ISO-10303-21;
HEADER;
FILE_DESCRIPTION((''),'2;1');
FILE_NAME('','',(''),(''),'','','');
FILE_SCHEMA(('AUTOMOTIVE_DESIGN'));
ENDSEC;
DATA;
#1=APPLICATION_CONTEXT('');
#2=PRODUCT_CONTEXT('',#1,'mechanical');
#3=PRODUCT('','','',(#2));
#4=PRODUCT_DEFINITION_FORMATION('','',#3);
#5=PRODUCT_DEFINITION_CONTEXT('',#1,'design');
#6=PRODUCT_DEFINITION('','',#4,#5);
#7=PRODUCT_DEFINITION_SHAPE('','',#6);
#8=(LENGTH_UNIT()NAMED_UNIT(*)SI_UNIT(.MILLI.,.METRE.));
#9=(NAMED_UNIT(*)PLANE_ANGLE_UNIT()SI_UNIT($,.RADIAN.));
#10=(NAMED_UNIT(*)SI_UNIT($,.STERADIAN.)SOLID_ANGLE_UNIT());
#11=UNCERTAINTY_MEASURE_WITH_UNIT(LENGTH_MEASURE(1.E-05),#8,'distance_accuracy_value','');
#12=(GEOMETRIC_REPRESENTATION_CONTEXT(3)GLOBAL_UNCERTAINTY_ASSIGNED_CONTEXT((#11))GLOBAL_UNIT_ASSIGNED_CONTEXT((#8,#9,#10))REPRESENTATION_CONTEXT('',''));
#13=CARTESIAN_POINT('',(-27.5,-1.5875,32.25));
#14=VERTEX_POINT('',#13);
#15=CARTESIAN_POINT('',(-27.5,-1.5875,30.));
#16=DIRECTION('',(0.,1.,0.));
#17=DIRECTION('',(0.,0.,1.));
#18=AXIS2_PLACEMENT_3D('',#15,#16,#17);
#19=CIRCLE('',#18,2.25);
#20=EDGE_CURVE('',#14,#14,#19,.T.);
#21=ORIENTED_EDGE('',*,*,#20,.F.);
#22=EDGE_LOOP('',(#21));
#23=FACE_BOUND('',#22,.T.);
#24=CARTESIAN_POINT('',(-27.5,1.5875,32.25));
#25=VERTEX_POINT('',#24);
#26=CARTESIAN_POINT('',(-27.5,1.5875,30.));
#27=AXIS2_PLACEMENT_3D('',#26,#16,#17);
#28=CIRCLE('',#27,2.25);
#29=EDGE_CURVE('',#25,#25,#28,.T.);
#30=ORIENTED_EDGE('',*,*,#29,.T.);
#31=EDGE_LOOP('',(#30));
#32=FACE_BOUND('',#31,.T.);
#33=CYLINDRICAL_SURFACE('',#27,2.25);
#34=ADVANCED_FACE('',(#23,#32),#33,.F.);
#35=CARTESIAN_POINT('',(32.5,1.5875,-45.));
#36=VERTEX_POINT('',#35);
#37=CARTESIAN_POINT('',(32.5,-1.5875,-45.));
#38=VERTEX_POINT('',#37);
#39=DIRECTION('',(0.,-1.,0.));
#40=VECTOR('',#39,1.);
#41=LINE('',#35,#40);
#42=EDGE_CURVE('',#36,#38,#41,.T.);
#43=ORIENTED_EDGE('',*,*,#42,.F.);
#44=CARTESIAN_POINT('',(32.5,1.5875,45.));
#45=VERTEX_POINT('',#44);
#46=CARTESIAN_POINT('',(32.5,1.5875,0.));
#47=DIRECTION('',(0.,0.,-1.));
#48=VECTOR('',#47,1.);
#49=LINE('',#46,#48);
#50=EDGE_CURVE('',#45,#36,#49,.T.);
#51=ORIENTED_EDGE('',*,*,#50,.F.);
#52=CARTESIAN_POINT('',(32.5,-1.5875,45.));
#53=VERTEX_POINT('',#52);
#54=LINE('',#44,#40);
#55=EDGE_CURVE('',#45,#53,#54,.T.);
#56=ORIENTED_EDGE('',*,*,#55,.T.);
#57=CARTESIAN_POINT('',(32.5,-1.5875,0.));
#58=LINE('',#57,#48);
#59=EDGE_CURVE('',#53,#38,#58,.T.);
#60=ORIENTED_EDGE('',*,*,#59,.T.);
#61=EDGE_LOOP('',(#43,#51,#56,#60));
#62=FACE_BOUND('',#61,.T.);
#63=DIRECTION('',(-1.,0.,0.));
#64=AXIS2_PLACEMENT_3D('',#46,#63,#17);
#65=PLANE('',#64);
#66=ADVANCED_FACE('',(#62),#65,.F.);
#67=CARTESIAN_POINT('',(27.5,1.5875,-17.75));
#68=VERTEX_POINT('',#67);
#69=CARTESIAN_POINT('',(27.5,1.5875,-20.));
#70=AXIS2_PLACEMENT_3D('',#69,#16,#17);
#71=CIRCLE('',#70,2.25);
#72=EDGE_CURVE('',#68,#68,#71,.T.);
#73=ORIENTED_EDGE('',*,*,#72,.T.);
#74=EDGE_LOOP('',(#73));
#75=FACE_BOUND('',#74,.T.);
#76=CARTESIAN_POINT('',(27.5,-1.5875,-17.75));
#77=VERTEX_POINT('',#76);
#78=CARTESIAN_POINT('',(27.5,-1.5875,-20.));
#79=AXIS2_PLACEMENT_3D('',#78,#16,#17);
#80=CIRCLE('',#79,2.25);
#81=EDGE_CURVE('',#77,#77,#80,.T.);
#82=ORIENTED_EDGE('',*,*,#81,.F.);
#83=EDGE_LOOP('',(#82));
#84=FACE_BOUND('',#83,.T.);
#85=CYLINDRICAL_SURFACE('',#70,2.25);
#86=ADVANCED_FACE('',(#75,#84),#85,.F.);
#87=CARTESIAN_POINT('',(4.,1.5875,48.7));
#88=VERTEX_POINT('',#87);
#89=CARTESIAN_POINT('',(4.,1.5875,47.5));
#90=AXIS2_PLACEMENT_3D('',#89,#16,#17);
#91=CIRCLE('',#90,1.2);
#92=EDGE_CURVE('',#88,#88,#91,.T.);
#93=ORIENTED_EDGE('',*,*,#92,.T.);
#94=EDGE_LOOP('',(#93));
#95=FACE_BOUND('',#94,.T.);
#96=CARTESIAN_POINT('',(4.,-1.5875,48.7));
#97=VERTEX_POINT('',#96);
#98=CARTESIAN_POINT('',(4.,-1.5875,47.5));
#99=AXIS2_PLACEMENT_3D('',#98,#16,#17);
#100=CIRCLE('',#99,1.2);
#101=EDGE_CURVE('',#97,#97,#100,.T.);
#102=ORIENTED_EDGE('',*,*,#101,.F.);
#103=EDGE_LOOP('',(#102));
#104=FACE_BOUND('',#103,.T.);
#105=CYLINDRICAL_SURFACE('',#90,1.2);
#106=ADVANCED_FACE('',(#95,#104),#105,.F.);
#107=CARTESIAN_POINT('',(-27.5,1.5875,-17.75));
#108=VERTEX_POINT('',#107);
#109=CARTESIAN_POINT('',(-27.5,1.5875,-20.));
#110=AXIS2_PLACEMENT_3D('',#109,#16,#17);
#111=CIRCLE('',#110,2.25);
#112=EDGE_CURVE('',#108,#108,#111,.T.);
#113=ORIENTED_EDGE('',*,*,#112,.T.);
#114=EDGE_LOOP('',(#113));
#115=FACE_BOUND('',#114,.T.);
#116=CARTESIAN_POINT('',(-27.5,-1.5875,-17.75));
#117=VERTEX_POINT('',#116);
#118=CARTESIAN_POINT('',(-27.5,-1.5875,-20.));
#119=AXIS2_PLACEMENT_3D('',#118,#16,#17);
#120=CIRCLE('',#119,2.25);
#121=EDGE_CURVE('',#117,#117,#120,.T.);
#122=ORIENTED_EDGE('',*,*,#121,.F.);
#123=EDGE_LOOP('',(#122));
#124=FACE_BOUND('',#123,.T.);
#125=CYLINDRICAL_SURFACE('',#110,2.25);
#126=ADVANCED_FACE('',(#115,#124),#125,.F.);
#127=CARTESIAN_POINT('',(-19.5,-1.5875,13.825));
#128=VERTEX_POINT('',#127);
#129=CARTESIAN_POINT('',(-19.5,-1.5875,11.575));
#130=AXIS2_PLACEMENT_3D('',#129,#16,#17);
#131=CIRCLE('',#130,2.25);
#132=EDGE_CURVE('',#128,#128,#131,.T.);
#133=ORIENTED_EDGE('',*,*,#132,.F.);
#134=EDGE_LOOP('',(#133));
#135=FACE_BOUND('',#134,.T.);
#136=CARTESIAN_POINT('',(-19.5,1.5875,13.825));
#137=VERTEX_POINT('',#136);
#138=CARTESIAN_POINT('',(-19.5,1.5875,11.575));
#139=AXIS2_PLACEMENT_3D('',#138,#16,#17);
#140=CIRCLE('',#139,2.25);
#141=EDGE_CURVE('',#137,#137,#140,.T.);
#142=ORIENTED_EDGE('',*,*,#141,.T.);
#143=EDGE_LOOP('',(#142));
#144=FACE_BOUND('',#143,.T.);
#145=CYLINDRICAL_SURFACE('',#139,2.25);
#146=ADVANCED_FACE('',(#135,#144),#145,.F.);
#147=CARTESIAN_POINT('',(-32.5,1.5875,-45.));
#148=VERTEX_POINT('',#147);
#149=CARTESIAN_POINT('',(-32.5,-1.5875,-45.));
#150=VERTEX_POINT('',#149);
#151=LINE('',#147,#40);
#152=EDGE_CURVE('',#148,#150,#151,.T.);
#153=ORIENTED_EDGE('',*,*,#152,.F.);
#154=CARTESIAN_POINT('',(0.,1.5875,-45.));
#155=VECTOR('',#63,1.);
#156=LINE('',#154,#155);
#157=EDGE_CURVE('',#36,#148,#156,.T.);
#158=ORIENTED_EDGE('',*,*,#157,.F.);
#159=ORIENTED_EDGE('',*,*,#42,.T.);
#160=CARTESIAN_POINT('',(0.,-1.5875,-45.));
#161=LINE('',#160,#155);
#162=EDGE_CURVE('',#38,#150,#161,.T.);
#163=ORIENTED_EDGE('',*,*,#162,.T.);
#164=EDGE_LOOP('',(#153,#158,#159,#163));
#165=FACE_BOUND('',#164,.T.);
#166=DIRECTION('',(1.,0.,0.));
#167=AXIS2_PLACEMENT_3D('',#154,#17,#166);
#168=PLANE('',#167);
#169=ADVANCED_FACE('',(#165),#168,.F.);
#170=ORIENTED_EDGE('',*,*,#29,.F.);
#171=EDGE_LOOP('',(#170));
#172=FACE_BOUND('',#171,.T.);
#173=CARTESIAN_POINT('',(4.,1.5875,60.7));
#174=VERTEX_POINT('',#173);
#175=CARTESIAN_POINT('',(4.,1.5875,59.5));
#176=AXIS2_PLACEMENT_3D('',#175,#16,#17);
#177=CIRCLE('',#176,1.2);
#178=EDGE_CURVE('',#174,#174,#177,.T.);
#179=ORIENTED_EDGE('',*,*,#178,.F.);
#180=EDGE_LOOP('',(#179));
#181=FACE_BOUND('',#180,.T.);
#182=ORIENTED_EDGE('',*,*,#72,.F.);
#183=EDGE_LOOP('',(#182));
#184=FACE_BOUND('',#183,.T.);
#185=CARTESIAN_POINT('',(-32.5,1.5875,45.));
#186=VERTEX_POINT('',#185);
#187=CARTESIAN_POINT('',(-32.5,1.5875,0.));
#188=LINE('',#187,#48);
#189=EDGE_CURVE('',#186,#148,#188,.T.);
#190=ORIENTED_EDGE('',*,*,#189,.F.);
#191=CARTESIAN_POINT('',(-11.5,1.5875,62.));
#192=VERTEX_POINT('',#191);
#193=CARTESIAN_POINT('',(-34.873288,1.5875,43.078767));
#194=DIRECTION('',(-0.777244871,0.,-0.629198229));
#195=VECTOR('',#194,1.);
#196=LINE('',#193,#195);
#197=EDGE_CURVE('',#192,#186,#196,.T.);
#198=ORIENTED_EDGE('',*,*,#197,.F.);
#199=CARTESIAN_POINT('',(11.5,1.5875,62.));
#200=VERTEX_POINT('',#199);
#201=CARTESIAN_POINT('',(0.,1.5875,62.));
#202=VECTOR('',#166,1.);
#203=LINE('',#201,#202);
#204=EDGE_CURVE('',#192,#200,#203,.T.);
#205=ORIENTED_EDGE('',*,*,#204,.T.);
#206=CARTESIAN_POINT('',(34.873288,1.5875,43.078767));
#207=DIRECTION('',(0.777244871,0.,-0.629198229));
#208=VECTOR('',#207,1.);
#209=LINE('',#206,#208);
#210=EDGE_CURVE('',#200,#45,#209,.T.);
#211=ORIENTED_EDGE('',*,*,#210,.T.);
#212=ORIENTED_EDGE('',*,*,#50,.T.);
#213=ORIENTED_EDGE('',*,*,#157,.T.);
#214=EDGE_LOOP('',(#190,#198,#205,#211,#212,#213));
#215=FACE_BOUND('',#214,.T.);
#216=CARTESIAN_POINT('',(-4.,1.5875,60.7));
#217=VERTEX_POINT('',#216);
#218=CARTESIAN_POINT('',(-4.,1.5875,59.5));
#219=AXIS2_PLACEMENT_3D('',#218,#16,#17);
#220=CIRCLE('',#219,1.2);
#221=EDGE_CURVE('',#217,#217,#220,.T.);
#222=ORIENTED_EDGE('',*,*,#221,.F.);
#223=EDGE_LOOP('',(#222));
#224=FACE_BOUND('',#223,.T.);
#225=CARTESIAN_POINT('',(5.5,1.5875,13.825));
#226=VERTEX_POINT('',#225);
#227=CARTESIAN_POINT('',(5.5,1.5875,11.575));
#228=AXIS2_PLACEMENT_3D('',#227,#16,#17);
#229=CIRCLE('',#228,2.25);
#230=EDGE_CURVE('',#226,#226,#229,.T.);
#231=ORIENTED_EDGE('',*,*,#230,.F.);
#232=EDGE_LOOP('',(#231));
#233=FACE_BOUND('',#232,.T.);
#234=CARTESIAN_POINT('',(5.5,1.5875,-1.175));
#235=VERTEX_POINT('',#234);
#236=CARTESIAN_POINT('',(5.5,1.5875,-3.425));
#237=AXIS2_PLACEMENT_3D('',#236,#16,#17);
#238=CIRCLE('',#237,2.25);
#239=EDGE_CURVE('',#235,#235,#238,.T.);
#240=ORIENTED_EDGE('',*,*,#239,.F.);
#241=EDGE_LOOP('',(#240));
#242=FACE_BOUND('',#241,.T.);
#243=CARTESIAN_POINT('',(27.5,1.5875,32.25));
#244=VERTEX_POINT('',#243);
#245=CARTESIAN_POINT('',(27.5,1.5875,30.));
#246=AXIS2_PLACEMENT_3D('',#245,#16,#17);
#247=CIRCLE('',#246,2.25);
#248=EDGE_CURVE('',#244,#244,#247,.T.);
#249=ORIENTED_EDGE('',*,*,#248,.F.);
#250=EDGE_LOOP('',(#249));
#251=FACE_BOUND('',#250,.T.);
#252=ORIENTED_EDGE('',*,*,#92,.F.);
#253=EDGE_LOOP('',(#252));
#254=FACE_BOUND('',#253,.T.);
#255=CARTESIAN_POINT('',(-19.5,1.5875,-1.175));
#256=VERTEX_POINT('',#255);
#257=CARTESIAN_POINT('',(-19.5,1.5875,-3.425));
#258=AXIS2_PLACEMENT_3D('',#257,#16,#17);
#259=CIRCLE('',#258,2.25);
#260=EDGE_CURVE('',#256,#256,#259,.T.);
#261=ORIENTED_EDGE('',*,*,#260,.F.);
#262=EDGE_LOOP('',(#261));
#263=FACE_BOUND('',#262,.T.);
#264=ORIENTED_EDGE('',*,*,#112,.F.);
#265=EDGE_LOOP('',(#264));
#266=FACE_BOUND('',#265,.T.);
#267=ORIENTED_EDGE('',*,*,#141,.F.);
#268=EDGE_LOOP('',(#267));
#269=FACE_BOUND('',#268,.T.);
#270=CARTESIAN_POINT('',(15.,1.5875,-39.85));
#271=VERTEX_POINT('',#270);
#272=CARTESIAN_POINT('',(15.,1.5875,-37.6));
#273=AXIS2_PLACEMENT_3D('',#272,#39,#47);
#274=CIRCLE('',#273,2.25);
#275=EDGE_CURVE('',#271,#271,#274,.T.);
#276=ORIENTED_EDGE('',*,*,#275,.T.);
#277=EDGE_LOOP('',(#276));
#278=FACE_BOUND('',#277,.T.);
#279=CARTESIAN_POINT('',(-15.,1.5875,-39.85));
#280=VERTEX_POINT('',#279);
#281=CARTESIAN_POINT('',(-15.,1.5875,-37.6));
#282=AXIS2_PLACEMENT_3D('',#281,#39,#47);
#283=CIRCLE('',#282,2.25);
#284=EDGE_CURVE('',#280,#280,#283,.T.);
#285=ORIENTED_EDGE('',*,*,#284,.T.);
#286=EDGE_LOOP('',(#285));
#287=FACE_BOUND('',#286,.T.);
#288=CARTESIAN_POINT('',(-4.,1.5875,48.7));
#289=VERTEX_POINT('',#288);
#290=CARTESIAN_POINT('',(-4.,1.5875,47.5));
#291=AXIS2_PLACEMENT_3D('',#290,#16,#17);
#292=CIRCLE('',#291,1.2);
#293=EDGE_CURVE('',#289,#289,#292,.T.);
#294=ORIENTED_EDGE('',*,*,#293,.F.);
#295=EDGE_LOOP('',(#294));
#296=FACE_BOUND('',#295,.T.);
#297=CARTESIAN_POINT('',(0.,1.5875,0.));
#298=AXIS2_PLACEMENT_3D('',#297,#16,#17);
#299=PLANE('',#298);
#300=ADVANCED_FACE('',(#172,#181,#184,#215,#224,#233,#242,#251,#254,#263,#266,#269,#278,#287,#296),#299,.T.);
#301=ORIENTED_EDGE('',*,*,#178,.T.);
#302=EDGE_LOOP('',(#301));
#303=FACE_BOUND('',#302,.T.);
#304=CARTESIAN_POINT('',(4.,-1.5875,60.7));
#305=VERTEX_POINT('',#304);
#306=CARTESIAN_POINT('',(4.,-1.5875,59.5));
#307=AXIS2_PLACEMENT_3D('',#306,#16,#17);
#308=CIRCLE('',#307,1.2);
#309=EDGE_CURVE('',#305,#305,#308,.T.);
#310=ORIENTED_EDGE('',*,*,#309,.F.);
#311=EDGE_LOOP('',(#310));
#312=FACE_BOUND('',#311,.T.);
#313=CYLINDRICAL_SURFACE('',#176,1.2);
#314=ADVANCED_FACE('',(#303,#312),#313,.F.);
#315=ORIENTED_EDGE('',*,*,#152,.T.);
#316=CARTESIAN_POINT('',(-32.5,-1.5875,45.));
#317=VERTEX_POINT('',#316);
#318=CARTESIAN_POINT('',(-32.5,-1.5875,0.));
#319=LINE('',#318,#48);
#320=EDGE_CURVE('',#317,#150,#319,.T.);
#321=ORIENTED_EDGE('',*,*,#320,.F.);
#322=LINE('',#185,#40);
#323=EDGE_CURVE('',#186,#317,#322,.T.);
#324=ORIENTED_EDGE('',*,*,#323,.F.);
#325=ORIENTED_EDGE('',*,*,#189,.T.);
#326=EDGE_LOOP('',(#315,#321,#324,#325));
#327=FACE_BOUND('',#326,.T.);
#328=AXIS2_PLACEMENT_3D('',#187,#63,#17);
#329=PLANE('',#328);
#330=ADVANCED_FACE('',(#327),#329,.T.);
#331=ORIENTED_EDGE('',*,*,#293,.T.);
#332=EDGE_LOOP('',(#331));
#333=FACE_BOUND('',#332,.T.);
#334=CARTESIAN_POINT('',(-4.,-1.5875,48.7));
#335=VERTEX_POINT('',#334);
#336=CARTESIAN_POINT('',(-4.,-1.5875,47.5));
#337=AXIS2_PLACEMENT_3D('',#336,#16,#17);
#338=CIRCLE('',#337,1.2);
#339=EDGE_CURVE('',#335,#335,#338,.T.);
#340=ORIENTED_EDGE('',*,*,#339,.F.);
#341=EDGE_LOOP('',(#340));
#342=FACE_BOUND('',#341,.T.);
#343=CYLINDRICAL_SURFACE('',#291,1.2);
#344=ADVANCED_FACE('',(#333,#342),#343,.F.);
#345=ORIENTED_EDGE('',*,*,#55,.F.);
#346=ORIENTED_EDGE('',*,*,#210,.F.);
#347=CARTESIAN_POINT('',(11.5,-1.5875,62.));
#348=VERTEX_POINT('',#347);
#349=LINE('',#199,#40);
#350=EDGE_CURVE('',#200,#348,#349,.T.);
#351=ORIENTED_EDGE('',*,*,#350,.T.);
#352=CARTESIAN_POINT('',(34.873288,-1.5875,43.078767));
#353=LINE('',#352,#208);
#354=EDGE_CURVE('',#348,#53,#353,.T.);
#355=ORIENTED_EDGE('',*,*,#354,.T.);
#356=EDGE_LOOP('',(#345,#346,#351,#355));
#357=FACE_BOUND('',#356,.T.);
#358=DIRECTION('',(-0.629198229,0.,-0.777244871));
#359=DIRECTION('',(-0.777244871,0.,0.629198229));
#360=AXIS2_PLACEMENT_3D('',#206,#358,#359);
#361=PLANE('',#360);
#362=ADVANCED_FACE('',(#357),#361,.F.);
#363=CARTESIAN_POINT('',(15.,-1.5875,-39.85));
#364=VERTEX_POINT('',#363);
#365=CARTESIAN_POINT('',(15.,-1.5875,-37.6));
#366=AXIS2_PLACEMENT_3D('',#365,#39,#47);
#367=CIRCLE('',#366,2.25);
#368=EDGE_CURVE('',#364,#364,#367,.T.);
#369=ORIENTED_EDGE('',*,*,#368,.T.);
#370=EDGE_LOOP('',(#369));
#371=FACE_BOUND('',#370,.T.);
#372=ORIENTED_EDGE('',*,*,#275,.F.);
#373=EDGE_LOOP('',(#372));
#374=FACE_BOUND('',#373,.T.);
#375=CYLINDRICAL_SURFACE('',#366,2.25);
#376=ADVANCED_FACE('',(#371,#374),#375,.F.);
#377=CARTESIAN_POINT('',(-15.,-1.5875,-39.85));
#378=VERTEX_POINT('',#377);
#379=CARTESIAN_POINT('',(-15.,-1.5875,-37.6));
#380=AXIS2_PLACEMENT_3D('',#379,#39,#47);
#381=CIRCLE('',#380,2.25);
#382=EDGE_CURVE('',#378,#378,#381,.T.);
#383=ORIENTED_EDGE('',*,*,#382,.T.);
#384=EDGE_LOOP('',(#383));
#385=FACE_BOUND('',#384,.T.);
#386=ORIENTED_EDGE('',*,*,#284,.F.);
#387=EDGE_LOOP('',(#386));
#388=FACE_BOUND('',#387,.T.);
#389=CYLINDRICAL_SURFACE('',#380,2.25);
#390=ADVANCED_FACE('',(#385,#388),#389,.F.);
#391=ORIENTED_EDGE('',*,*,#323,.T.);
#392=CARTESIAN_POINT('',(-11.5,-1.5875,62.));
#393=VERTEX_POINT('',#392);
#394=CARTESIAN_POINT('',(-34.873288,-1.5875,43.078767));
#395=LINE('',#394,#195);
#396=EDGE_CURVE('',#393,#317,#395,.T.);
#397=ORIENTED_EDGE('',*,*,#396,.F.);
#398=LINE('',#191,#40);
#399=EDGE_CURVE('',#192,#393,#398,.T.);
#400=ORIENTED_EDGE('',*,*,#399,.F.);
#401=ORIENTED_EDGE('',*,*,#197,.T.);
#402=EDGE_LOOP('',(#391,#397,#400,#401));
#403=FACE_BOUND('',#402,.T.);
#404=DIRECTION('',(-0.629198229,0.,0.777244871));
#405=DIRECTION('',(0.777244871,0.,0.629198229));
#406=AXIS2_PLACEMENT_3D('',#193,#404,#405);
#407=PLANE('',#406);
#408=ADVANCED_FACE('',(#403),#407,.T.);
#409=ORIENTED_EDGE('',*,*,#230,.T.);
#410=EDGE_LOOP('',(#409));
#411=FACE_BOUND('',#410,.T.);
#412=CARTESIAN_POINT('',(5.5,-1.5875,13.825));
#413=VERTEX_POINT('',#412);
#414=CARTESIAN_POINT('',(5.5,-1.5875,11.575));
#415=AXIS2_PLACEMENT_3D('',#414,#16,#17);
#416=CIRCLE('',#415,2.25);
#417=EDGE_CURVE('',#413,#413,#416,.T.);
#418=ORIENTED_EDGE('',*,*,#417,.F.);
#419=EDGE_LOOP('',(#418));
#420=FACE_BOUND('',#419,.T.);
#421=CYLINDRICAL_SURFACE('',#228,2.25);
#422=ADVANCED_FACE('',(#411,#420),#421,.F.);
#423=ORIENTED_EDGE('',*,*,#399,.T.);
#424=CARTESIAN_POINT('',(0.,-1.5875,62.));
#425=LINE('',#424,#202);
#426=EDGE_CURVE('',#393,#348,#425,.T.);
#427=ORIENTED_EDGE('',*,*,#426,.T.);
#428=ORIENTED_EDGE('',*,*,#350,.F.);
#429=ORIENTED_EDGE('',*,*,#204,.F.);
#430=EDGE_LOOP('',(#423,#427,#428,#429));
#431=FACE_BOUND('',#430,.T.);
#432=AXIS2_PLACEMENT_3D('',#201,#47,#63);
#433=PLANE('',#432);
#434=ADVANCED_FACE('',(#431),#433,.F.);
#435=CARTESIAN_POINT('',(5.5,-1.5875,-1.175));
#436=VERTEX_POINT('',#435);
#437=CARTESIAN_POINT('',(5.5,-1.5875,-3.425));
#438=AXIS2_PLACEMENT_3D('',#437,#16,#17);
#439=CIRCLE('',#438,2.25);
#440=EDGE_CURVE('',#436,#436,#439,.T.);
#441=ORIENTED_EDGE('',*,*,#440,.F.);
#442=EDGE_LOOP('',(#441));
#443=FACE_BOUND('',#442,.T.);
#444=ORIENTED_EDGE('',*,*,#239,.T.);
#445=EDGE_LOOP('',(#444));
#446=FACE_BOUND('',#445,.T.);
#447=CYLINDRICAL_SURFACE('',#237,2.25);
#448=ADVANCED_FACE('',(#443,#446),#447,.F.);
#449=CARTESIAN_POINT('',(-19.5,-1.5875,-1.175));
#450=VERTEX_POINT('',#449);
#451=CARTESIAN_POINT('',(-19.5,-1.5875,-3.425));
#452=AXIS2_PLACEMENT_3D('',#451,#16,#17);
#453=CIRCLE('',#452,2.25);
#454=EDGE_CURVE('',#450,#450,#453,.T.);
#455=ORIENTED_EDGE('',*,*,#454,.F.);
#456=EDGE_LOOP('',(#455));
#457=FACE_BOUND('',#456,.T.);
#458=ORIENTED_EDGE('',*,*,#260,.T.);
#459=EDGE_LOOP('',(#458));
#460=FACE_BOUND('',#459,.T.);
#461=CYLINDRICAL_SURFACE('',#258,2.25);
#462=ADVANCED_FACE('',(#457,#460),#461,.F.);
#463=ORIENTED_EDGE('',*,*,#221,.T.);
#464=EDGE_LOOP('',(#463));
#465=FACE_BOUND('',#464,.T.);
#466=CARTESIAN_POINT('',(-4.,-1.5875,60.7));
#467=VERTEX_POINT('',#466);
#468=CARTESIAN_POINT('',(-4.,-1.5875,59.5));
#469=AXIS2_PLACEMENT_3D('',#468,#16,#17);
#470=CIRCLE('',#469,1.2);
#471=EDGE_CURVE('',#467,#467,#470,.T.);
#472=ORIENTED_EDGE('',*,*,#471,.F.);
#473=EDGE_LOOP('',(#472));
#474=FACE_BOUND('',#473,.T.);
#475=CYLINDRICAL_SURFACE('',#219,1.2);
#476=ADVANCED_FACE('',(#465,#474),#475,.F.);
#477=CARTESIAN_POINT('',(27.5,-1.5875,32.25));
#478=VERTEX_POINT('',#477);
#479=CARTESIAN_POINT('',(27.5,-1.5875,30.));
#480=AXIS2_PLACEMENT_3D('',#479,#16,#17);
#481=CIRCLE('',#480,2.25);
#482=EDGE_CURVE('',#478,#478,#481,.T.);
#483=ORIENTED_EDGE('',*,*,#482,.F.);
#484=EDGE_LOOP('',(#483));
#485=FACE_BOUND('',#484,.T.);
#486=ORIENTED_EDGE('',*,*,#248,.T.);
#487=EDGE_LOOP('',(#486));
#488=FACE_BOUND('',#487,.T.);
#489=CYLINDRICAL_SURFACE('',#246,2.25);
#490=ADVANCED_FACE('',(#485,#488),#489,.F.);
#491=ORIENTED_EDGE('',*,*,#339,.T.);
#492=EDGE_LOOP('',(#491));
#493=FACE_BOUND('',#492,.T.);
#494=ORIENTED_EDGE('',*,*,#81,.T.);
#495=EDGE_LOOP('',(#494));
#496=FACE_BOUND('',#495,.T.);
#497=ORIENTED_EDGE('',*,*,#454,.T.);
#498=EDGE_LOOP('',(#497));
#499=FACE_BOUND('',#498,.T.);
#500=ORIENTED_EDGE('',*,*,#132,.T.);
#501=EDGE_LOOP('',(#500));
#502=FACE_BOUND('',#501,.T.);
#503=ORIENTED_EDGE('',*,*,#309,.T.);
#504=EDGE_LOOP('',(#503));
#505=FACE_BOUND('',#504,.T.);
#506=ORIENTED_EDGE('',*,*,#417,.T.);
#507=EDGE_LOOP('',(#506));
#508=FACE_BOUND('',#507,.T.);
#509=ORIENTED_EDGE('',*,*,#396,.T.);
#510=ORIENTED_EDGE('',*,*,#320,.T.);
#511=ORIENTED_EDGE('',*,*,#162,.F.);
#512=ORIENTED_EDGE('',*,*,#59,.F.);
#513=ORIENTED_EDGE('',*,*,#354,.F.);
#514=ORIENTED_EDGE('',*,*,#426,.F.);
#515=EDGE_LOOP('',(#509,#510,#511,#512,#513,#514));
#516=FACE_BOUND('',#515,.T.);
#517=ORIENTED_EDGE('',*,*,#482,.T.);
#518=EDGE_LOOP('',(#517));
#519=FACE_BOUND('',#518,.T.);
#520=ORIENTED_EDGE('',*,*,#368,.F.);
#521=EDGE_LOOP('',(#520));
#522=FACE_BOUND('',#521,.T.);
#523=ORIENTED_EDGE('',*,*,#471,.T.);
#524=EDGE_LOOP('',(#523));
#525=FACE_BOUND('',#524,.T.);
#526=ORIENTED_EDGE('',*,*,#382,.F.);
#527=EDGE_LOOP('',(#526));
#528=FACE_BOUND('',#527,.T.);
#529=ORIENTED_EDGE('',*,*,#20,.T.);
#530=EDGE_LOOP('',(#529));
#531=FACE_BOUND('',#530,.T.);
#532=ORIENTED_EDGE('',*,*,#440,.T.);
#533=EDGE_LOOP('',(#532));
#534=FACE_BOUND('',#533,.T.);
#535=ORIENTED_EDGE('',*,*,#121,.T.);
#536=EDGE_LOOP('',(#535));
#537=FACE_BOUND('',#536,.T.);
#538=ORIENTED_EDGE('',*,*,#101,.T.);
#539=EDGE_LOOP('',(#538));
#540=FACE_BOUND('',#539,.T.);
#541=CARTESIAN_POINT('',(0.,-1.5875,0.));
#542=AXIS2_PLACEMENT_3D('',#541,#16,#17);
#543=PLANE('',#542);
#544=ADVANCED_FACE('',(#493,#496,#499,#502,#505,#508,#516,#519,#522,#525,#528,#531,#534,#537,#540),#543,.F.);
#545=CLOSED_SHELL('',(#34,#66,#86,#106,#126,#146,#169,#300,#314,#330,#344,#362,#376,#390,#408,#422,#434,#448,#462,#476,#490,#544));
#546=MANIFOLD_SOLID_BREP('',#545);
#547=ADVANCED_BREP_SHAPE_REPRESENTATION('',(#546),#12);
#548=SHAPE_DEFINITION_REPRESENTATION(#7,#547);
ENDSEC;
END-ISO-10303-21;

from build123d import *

# Parameters (mm, degrees)
SKETCH1_W            = 65
SKETCH1_H            = 90
SKETCH1_W_2          = 23
SKETCH1_H_2          = 17
BOSS_EXTRUDE1_DEPTH  = 1.5875
M2_CLEARANCE_HOLE1_D = 2.4
M4_CLEARANCE_HOLE1_D = 4.5
M4_CLEARANCE_HOLE2_D = 4.5
M4_CLEARANCE_HOLE3_D = 4.5


with BuildPart() as part:
    # Sketch1 → Boss-Extrude1 (new body, symmetric)
    with BuildSketch(Plane(origin=(0, 0, 0), x_dir=(1, 0, 0), z_dir=(0, 1, 0))):
        Polygon((-32.5, -45), (-11.5, -62), (-11.5, -45), align=None)
        Polygon((11.5, -45), (11.5, -62), (32.5, -45), align=None)
        Rectangle(SKETCH1_W, SKETCH1_H)
        with Locations((0, -53.5)):
            Rectangle(SKETCH1_W_2, SKETCH1_H_2)
    extrude(amount=BOSS_EXTRUDE1_DEPTH, both=True)

    # M2 Clearance Hole1 (through all)
    with Locations(Plane(origin=(0, 1.5875, 0), x_dir=(1, 0, 0), z_dir=(0, 1, 0))):
        with Locations((-4, -59.5), (4, -59.5), (4, -47.5), (-4, -47.5)):
            Hole(M2_CLEARANCE_HOLE1_D / 2)

    # M4 Clearance Hole1 (through all)
    with Locations(Plane(origin=(0, 1.5875, 0), x_dir=(1, 0, 0), z_dir=(0, 1, 0))):
        with Locations((-27.5, 20), (27.5, 20), (27.5, -30), (-27.5, -30)):
            Hole(M4_CLEARANCE_HOLE1_D / 2)

    # M4 Clearance Hole2 (through all)
    with Locations(Plane(origin=(0, 1.5875, 0), x_dir=(1, 0, 0), z_dir=(0, 1, 0))):
        with Locations((-19.5, -11.575), (-19.5, 3.425), (5.5, 3.425), (5.5, -11.575)):
            Hole(M4_CLEARANCE_HOLE2_D / 2)

    # M4 Clearance Hole3 (through all)
    with Locations(Plane(origin=(0, -1.5875, 0), x_dir=(-1, 0, 0), z_dir=(0, -1, 0))):
        with Locations((-15, 37.6), (15, 37.6)):
            Hole(M4_CLEARANCE_HOLE3_D / 2)


solid = part.part
